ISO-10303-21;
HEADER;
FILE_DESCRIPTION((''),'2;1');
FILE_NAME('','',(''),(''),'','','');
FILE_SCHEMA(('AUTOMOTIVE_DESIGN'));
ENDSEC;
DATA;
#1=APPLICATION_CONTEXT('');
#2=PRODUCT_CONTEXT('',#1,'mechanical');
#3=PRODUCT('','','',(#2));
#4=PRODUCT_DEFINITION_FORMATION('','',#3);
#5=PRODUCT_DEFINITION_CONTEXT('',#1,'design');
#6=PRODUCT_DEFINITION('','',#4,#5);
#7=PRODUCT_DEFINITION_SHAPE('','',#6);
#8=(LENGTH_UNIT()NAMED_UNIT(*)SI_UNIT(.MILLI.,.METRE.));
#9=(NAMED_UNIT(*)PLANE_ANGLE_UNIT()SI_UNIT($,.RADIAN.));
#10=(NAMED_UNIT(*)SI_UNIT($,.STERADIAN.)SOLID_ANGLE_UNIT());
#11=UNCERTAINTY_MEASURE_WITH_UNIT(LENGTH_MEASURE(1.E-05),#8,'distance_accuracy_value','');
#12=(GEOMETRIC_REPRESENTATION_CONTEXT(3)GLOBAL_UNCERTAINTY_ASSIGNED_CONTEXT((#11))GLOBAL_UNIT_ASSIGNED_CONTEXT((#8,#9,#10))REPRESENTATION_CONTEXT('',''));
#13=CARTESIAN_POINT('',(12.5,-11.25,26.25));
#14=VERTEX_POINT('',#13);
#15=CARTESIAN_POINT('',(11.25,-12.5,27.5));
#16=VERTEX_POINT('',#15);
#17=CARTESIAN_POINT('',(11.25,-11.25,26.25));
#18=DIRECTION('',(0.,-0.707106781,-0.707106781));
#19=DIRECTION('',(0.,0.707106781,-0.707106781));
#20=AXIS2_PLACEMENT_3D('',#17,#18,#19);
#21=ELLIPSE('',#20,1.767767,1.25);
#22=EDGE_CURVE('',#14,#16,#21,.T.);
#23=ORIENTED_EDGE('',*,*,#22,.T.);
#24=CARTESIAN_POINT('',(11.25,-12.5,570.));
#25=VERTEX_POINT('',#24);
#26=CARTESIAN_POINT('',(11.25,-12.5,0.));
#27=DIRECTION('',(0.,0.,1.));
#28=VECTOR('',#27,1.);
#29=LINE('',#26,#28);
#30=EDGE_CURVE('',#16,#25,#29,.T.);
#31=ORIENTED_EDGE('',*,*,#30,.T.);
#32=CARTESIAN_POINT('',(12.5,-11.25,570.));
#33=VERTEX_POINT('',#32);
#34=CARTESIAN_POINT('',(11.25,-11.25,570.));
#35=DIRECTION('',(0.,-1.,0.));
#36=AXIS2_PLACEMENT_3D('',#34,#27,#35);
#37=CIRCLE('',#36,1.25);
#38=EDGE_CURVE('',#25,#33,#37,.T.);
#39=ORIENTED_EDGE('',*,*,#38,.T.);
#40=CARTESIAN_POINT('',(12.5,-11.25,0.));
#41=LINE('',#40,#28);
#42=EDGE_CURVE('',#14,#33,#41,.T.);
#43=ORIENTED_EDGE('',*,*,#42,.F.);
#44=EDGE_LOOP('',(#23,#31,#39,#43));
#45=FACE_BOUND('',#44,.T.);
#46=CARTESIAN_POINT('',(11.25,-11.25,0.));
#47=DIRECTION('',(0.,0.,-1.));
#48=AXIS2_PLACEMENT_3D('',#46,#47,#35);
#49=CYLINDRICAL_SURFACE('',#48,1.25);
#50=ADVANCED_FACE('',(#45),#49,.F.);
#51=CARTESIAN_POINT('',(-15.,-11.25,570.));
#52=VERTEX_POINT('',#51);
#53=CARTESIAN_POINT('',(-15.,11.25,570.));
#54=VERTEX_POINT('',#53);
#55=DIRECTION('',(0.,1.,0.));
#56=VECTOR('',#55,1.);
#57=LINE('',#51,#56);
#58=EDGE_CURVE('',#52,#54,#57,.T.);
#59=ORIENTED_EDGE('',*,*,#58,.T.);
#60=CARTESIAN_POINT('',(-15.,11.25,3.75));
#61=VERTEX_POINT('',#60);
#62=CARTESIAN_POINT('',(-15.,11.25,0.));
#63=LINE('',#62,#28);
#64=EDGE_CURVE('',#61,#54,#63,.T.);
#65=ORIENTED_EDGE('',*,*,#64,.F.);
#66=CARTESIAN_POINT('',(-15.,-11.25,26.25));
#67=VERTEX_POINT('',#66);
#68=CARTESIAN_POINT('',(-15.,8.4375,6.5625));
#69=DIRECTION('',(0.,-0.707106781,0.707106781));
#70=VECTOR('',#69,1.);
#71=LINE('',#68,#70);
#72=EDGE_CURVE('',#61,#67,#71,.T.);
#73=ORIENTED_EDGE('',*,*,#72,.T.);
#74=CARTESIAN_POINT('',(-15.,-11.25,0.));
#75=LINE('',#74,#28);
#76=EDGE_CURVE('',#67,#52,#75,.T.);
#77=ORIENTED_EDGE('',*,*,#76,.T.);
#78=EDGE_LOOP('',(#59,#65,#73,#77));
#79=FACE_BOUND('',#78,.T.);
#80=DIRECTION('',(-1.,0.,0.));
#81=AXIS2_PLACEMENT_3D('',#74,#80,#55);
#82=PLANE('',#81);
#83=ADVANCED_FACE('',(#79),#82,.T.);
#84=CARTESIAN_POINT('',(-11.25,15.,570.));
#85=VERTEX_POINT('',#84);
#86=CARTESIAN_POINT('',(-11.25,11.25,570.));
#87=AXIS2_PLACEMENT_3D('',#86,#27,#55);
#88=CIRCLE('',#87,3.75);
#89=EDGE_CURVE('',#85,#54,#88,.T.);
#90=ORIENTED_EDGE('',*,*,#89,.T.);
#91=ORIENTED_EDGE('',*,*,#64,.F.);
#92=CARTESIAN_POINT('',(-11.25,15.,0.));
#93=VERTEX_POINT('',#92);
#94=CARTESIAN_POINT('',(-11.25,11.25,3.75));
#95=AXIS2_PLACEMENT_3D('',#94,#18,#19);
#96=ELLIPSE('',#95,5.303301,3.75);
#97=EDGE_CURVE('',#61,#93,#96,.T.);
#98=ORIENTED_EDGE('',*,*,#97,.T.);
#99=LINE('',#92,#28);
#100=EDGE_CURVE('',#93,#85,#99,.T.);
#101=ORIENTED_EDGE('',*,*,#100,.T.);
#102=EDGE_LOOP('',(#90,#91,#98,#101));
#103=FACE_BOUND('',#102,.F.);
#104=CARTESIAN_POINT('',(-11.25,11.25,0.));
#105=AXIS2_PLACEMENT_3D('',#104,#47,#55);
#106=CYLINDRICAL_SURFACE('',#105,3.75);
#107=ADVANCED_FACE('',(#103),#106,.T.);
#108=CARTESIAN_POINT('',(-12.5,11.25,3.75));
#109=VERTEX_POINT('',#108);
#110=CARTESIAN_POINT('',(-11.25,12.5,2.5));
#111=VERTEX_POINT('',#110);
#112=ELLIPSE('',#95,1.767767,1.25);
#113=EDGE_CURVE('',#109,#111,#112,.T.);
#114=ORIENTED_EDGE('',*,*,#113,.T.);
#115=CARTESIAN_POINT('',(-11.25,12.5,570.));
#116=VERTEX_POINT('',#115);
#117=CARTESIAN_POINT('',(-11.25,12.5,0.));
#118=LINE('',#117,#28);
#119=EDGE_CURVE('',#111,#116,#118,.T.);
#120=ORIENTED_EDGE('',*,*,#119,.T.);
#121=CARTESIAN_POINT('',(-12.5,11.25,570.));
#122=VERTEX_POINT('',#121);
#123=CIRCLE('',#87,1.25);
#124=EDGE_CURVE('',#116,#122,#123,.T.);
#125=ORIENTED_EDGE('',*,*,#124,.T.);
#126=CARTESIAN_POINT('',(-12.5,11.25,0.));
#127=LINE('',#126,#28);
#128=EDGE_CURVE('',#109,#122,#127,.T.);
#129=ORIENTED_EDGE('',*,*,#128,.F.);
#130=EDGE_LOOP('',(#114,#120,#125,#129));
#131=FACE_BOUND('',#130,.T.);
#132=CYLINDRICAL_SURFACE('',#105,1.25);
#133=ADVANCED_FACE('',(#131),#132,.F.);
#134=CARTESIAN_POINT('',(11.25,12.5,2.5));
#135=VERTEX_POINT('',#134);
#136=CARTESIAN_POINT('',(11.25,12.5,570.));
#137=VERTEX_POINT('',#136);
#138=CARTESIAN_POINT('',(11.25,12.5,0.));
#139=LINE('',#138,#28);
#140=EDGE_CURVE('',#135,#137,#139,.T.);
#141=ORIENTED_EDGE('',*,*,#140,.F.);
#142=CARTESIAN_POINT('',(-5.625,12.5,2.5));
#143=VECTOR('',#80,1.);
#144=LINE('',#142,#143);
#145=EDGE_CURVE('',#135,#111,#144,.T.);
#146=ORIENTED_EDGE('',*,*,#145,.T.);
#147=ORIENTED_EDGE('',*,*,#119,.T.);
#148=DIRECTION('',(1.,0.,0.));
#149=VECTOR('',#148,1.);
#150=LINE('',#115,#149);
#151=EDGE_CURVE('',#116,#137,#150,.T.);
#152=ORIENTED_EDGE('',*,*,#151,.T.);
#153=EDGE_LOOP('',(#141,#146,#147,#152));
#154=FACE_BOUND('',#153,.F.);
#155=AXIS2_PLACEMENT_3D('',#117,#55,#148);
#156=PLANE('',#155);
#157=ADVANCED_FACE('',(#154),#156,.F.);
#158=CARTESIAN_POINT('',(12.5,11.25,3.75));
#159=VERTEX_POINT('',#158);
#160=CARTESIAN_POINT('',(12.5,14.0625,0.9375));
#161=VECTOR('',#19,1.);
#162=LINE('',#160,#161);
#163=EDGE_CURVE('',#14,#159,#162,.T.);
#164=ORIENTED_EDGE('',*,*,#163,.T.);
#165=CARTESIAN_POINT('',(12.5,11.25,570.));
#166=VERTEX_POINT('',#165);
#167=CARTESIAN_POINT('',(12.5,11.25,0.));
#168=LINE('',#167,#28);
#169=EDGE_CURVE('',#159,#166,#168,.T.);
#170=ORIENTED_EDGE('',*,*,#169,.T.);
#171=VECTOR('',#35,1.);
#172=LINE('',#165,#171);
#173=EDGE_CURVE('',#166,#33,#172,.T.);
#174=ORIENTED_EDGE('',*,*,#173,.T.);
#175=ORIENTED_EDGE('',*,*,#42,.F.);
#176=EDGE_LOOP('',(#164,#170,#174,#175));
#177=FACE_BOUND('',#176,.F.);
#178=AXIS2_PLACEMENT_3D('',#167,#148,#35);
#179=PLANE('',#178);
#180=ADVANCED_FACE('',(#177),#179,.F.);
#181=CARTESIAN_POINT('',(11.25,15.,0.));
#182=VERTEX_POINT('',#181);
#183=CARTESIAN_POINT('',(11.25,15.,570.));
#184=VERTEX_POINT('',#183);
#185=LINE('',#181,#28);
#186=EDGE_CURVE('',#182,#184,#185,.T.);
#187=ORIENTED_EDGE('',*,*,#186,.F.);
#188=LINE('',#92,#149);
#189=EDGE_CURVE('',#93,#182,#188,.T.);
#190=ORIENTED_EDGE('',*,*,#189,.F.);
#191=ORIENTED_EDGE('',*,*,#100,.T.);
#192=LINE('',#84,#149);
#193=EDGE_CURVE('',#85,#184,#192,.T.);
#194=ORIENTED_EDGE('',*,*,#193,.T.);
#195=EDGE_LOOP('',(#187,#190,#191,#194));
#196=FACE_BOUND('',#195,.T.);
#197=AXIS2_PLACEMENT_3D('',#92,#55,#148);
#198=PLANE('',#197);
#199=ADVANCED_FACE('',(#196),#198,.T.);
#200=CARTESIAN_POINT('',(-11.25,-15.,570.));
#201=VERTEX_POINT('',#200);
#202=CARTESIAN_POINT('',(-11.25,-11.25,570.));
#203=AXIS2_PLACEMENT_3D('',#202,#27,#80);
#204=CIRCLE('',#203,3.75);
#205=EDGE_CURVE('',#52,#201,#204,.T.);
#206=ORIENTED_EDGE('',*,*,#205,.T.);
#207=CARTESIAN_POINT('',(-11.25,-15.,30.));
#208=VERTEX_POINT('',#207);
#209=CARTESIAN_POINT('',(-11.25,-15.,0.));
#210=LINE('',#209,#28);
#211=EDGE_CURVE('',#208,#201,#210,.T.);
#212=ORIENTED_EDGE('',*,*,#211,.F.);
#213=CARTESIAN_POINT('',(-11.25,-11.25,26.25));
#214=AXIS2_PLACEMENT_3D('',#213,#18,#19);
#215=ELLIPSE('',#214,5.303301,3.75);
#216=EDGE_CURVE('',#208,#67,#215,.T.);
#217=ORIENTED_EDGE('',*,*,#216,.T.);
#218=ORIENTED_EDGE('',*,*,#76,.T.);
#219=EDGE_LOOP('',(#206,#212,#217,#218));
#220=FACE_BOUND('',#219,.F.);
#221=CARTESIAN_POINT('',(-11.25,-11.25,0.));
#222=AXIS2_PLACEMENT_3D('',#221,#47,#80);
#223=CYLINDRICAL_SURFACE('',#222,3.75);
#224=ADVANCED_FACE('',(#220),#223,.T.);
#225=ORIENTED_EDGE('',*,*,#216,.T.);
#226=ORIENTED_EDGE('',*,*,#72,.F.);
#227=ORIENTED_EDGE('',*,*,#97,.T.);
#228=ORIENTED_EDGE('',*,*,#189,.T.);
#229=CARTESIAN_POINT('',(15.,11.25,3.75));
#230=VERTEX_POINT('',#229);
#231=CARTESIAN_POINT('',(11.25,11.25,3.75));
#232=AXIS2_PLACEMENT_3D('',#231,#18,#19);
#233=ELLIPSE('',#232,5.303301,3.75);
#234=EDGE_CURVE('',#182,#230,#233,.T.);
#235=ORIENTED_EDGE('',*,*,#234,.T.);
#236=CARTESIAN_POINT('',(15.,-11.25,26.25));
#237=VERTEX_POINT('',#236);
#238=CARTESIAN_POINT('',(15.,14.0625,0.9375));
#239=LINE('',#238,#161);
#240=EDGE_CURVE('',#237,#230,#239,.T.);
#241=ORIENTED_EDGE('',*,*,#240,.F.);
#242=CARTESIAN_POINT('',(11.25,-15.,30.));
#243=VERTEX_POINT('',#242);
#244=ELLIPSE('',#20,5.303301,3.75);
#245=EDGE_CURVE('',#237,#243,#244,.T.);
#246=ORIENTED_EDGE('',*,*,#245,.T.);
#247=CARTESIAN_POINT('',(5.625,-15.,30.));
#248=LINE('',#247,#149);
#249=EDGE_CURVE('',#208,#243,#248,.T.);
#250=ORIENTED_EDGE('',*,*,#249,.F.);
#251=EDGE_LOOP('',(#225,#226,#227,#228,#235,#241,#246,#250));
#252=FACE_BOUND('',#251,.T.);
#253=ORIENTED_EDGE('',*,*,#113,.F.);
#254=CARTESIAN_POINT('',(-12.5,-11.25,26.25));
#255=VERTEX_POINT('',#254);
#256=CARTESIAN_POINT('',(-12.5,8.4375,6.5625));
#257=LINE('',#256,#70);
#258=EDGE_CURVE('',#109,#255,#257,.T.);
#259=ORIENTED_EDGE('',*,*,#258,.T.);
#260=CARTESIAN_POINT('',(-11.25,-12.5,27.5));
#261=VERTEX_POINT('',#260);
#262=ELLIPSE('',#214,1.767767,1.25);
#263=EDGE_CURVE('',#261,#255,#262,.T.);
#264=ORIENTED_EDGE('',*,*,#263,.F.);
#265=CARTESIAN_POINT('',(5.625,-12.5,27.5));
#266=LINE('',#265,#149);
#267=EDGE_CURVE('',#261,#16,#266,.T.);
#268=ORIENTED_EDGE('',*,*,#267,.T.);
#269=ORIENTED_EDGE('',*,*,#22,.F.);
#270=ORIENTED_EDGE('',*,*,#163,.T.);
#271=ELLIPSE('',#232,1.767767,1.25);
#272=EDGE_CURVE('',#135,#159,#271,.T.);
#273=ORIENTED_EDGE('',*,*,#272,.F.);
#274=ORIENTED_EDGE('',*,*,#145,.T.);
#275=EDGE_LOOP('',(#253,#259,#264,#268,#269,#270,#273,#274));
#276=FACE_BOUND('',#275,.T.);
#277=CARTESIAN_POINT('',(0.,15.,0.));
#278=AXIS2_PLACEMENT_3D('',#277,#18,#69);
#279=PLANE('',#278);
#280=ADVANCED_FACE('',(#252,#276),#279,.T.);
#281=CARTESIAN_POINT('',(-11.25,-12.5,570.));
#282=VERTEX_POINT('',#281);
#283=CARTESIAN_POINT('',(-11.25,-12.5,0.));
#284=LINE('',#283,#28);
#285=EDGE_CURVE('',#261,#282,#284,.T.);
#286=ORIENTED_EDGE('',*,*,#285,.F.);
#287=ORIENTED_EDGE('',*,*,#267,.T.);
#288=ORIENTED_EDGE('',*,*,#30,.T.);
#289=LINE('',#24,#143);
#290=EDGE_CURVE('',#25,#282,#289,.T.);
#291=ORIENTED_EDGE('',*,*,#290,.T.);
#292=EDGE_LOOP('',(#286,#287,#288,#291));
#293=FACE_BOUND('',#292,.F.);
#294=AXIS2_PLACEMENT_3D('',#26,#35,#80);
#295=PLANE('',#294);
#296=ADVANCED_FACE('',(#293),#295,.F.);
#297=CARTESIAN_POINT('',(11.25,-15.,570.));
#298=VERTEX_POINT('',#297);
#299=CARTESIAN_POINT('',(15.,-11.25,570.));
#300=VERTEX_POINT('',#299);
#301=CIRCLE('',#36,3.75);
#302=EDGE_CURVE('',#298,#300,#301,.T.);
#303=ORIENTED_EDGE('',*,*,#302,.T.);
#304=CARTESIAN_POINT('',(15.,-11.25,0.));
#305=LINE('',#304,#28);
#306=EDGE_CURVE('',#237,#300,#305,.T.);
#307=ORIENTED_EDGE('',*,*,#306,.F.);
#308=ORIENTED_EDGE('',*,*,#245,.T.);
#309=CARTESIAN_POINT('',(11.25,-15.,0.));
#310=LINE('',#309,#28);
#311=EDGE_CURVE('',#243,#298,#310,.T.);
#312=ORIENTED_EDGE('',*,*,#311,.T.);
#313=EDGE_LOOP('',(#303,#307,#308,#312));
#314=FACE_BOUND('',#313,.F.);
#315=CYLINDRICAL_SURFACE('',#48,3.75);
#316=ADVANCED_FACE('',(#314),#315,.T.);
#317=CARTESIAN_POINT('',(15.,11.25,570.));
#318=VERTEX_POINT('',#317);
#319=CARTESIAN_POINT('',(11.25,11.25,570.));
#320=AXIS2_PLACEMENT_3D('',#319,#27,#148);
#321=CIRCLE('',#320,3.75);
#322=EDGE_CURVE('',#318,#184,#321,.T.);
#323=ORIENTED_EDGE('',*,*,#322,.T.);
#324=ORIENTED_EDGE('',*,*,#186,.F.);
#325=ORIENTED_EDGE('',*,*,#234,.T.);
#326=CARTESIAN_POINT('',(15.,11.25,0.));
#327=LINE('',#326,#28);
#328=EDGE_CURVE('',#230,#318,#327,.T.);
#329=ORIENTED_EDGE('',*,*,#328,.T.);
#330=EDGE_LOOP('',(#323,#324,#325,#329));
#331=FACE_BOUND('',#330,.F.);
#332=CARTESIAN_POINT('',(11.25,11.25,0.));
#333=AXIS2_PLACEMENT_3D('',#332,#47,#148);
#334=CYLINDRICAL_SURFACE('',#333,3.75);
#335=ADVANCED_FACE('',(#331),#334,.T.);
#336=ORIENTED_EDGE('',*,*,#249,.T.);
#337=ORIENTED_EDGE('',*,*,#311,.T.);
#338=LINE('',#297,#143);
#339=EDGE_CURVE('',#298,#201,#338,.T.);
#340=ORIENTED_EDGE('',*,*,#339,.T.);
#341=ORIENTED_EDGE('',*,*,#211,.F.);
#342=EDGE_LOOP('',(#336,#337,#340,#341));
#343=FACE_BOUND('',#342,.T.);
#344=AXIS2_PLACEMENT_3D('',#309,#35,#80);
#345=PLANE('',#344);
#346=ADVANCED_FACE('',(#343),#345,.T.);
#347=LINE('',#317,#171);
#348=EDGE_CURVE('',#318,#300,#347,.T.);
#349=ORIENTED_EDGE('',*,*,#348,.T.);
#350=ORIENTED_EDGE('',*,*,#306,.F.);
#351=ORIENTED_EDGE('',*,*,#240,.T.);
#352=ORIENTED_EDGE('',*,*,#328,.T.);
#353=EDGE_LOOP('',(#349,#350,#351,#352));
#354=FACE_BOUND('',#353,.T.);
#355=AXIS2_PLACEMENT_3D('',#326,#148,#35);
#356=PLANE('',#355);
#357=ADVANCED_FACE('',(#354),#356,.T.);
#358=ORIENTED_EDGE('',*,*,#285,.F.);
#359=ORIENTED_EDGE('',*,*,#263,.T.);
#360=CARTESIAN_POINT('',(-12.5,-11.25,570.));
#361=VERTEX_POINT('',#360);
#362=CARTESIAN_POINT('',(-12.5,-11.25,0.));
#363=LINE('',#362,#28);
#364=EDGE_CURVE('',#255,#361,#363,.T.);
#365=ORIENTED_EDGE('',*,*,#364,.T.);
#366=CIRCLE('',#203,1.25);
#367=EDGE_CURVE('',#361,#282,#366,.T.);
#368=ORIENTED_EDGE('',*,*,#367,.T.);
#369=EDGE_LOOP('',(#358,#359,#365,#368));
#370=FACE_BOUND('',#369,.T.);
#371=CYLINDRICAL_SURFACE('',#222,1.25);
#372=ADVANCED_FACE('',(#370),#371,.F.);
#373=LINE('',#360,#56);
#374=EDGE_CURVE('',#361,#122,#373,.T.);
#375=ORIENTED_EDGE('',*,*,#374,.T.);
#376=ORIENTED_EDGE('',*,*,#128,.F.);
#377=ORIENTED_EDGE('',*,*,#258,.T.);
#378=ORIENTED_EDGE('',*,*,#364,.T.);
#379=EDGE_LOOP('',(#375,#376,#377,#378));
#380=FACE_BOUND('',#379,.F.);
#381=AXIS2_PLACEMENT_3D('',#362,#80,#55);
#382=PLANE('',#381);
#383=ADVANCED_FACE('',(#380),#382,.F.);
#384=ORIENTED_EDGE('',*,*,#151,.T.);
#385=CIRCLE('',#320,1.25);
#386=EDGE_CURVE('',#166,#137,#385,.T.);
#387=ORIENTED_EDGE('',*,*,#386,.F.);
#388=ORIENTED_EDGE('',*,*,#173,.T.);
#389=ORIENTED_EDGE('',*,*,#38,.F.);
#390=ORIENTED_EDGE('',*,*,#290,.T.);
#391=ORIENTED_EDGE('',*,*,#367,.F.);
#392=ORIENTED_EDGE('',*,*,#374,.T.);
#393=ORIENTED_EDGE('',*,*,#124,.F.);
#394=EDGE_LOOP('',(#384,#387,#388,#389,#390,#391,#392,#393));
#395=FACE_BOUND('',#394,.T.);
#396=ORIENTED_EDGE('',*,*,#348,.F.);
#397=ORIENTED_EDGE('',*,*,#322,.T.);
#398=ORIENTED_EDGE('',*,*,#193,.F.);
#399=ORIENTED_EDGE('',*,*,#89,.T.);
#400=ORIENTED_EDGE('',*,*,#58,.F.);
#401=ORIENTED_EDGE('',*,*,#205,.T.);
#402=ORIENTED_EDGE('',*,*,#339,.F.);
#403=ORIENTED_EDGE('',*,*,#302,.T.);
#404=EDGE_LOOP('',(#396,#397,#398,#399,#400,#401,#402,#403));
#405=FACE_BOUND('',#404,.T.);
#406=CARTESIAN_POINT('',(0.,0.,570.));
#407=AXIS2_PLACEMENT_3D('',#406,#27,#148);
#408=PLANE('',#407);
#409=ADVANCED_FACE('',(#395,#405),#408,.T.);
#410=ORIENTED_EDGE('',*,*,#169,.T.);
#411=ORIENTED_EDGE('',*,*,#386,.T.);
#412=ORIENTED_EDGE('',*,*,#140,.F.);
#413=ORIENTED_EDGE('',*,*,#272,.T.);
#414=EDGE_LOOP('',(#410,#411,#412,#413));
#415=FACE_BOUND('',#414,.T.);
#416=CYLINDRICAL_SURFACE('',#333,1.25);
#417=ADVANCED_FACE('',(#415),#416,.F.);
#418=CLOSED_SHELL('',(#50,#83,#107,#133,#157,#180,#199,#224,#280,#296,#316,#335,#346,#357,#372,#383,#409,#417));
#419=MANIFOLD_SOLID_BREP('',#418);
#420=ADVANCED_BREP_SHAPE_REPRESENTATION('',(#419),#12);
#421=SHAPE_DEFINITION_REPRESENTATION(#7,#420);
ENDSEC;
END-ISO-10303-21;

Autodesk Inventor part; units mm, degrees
ref_plane "Start plane" through (0, 0, 0) normal (0, 0, 1) x (1, 0, 0)
ref_plane "End plane" through (0, 0, 570) normal (0, 0, 1) x (1, 0, 0)
sketch "Sketch" plane through (0, 0, 0) normal (0, 0, 1) x (1, 0, 0)
  line L0 (-15, -11.25) -> (-15, 11.25)
  line L1 (-11.25, 15) -> (11.25, 15)
  line L2 (15, 11.25) -> (15, -11.25)
  line L3 (11.25, -15) -> (-11.25, -15)
  arc A0 (-15, -11.25) -> (-11.25, -15) centre (-11.25, -11.25) ccw
  arc A1 (-11.25, 15) -> (-15, 11.25) centre (-11.25, 11.25) ccw
  arc A2 (15, 11.25) -> (11.25, 15) centre (11.25, 11.25) ccw
  arc A3 (11.25, -15) -> (15, -11.25) centre (11.25, -11.25) ccw
  arc A4 (-11.25, 12.5) -> (-12.5, 11.25) centre (-11.25, 11.25) ccw
  line L4 (-11.25, 12.5) -> (11.25, 12.5)
  arc A5 (12.5, 11.25) -> (11.25, 12.5) centre (11.25, 11.25) ccw
  line L5 (12.5, 11.25) -> (12.5, -11.25)
  arc A6 (11.25, -12.5) -> (12.5, -11.25) centre (11.25, -11.25) ccw
  line L6 (11.25, -12.5) -> (-11.25, -12.5)
  arc A7 (-12.5, -11.25) -> (-11.25, -12.5) centre (-11.25, -11.25) ccw
  line L7 (-12.5, -11.25) -> (-12.5, 11.25)
  line L8 (0, 22.0873) -> (0, -22.0873) construction
  line L9 (-22.0873, 0) -> (22.0873, 0) construction
  dimension "d7" = 3.75
  dimension "d10" = 30
  dimension "d11" = 30
  dimension "d12" = 2.5
  dimension "d15" = 15
  dimension "d16" = 15
extrude "Body" add sketch "Sketch" along normal up to surface (570 mm away) from surface at 0
sketch "Sketch3" plane through (0, 0, 0) normal (0, 0, 1) x (1, 0, 0)
  line L0 (0, 0) -> (10, 0)
ref_plane "Work Plane3" through (0, 0, 0) normal (0, -1, 0) x (1, 0, 0)
sketch "Sketch4" plane through (0, 0, 0) normal (0, -1, 0) x (1, 0, 0)
  line L0 (-2, 0) -> (12, 0)
  line L1 (-2, 570) -> (12, 570)
  dimension "d18" = 570
ref_plane "Work Plane4" through (385, -11.25, 570) normal (0, 0, 1) x (1, 0, 0)
split "Split1" plane through (385, -11.25, 570) removes the side toward (0, 0, 1)
ref_plane "Work Plane5" through (0, 15, 0) normal (0, -0.7071, -0.7071) x (1, 0, 0)
split "Split2" plane through (0, 15, 0) removes the side toward (0, -0.7071, -0.7071)
equation "\"d7\" = G_IR"
equation "\"d10\" = G_H"
equation "\"d11\" = G_W"
equation "\"d12\" = G_T"
equation "\"d15\" = 0.5 * d10"
equation "\"d16\" = 0.5 * d11"
equation "\"d3\" = G_L"
equation "\"G_W\" = 30"
equation "\"G_H\" = 30"
equation "\"G_T\" = 2.5"
equation "\"G_IR\" = 3.75"
equation "\"G_L\" = d18"
equation "\"G_OFFSET_START\" = 0"
properties part number "DIN EN 10305-5 - 30 x 30 x 2,5  - 570" material "Steel, Mild"
